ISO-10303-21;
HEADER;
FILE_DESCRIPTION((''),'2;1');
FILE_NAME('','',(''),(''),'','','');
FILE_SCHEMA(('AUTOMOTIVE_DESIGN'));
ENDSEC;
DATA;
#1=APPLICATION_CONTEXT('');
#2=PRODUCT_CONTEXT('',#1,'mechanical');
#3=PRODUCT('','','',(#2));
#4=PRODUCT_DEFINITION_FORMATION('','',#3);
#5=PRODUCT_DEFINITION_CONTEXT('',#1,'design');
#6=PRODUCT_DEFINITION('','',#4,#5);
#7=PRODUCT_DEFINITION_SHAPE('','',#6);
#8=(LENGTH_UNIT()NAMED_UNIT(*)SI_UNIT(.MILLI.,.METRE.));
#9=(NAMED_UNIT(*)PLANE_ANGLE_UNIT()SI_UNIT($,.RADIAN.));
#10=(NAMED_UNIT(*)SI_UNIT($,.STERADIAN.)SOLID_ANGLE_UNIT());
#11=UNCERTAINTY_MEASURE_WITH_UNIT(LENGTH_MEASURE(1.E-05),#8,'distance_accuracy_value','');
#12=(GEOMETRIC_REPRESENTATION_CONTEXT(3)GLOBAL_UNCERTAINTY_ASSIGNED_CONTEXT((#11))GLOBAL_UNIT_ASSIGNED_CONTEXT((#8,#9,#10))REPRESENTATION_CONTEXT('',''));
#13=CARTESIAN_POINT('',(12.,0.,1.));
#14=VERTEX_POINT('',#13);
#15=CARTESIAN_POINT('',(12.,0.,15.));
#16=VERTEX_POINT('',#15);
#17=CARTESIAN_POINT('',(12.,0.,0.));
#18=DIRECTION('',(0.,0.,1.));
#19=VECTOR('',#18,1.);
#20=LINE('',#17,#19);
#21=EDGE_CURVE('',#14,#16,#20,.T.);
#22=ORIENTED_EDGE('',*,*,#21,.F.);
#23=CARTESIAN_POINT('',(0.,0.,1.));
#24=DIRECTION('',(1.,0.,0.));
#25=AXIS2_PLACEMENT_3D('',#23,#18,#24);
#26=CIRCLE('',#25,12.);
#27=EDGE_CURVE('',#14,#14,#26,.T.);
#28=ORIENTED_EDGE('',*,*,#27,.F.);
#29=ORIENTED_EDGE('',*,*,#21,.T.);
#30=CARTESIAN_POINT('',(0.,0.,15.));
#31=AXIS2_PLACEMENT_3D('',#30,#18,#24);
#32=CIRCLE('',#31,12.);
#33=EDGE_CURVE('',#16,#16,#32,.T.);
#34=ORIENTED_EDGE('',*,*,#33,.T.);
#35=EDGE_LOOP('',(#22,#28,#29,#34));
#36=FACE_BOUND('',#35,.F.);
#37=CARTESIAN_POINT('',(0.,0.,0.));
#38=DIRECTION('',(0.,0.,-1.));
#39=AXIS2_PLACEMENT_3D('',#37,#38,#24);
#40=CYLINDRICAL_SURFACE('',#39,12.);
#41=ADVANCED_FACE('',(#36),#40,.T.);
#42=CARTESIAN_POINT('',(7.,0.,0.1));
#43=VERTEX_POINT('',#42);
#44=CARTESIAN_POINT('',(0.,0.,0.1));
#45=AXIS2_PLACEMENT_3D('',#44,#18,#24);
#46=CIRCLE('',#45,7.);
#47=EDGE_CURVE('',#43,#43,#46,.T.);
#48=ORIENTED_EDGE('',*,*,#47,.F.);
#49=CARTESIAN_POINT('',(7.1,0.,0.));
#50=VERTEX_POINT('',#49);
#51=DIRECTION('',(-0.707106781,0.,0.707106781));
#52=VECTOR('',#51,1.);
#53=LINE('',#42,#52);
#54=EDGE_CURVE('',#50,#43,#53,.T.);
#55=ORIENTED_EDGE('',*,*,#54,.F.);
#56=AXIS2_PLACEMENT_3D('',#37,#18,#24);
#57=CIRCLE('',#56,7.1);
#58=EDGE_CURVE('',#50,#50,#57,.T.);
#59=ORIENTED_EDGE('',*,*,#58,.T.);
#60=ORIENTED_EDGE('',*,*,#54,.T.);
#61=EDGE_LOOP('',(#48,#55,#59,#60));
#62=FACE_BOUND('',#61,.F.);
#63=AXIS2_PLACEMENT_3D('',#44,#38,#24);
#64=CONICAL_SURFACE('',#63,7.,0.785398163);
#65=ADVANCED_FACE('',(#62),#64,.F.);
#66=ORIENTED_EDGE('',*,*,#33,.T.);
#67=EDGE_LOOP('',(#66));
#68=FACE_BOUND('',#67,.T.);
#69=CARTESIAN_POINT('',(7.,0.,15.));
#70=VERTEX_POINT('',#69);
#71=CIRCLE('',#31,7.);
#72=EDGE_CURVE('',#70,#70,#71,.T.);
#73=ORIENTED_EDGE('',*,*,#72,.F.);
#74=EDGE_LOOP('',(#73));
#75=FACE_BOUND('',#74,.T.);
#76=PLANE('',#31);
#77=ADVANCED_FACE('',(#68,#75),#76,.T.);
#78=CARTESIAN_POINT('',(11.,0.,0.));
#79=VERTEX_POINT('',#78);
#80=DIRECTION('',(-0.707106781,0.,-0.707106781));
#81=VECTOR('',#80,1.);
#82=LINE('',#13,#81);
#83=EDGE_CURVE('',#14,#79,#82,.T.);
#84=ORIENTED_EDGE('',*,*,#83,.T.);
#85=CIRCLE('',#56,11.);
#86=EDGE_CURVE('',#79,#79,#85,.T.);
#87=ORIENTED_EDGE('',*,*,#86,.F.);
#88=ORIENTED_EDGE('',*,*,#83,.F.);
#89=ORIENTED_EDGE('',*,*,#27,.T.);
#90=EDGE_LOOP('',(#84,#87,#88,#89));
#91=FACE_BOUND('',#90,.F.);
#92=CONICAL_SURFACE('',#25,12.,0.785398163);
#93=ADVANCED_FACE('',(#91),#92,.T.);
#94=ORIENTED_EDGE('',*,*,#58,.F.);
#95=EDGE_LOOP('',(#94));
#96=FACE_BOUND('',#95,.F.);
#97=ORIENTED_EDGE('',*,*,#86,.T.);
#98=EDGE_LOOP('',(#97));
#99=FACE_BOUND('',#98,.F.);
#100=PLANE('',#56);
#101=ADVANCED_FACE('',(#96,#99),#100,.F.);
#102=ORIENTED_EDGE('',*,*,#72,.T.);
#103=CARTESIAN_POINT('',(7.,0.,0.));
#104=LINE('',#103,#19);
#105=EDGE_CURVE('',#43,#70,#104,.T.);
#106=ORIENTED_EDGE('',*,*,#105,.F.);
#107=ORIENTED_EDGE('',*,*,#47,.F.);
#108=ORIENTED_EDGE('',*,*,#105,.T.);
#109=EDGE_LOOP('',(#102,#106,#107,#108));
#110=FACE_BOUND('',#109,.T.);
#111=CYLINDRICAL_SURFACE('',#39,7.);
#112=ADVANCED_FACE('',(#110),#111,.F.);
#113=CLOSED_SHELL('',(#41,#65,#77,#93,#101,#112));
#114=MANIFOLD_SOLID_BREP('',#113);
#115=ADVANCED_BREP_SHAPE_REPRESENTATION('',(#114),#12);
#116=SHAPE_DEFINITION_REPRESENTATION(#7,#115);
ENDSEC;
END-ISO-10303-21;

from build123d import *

# Parameters (mm, degrees)
F0_R     = 12
F0_R_2   = 7
F1_DEPTH = 15
F2_SIZE  = 1
F3_SIZE  = 0.1


with BuildPart() as f1:
    # F0 (on Top) → F1 (new body)
    with BuildSketch(Plane.XY):
        Circle(F0_R)
        Circle(F0_R_2, mode=Mode.SUBTRACT)
    extrude(amount=F1_DEPTH)

    # F2
    f2_edges = [f1.edges().sort_by_distance(p)[0] for p in [
        (-12, 0, 0),
    ]]
    chamfer(f2_edges, length=F2_SIZE)

    # F3
    f3_edges = [f1.edges().sort_by_distance(p)[0] for p in [
        (-7, 0, 0),
    ]]
    chamfer(f3_edges, length=F3_SIZE)


solid = f1.part
